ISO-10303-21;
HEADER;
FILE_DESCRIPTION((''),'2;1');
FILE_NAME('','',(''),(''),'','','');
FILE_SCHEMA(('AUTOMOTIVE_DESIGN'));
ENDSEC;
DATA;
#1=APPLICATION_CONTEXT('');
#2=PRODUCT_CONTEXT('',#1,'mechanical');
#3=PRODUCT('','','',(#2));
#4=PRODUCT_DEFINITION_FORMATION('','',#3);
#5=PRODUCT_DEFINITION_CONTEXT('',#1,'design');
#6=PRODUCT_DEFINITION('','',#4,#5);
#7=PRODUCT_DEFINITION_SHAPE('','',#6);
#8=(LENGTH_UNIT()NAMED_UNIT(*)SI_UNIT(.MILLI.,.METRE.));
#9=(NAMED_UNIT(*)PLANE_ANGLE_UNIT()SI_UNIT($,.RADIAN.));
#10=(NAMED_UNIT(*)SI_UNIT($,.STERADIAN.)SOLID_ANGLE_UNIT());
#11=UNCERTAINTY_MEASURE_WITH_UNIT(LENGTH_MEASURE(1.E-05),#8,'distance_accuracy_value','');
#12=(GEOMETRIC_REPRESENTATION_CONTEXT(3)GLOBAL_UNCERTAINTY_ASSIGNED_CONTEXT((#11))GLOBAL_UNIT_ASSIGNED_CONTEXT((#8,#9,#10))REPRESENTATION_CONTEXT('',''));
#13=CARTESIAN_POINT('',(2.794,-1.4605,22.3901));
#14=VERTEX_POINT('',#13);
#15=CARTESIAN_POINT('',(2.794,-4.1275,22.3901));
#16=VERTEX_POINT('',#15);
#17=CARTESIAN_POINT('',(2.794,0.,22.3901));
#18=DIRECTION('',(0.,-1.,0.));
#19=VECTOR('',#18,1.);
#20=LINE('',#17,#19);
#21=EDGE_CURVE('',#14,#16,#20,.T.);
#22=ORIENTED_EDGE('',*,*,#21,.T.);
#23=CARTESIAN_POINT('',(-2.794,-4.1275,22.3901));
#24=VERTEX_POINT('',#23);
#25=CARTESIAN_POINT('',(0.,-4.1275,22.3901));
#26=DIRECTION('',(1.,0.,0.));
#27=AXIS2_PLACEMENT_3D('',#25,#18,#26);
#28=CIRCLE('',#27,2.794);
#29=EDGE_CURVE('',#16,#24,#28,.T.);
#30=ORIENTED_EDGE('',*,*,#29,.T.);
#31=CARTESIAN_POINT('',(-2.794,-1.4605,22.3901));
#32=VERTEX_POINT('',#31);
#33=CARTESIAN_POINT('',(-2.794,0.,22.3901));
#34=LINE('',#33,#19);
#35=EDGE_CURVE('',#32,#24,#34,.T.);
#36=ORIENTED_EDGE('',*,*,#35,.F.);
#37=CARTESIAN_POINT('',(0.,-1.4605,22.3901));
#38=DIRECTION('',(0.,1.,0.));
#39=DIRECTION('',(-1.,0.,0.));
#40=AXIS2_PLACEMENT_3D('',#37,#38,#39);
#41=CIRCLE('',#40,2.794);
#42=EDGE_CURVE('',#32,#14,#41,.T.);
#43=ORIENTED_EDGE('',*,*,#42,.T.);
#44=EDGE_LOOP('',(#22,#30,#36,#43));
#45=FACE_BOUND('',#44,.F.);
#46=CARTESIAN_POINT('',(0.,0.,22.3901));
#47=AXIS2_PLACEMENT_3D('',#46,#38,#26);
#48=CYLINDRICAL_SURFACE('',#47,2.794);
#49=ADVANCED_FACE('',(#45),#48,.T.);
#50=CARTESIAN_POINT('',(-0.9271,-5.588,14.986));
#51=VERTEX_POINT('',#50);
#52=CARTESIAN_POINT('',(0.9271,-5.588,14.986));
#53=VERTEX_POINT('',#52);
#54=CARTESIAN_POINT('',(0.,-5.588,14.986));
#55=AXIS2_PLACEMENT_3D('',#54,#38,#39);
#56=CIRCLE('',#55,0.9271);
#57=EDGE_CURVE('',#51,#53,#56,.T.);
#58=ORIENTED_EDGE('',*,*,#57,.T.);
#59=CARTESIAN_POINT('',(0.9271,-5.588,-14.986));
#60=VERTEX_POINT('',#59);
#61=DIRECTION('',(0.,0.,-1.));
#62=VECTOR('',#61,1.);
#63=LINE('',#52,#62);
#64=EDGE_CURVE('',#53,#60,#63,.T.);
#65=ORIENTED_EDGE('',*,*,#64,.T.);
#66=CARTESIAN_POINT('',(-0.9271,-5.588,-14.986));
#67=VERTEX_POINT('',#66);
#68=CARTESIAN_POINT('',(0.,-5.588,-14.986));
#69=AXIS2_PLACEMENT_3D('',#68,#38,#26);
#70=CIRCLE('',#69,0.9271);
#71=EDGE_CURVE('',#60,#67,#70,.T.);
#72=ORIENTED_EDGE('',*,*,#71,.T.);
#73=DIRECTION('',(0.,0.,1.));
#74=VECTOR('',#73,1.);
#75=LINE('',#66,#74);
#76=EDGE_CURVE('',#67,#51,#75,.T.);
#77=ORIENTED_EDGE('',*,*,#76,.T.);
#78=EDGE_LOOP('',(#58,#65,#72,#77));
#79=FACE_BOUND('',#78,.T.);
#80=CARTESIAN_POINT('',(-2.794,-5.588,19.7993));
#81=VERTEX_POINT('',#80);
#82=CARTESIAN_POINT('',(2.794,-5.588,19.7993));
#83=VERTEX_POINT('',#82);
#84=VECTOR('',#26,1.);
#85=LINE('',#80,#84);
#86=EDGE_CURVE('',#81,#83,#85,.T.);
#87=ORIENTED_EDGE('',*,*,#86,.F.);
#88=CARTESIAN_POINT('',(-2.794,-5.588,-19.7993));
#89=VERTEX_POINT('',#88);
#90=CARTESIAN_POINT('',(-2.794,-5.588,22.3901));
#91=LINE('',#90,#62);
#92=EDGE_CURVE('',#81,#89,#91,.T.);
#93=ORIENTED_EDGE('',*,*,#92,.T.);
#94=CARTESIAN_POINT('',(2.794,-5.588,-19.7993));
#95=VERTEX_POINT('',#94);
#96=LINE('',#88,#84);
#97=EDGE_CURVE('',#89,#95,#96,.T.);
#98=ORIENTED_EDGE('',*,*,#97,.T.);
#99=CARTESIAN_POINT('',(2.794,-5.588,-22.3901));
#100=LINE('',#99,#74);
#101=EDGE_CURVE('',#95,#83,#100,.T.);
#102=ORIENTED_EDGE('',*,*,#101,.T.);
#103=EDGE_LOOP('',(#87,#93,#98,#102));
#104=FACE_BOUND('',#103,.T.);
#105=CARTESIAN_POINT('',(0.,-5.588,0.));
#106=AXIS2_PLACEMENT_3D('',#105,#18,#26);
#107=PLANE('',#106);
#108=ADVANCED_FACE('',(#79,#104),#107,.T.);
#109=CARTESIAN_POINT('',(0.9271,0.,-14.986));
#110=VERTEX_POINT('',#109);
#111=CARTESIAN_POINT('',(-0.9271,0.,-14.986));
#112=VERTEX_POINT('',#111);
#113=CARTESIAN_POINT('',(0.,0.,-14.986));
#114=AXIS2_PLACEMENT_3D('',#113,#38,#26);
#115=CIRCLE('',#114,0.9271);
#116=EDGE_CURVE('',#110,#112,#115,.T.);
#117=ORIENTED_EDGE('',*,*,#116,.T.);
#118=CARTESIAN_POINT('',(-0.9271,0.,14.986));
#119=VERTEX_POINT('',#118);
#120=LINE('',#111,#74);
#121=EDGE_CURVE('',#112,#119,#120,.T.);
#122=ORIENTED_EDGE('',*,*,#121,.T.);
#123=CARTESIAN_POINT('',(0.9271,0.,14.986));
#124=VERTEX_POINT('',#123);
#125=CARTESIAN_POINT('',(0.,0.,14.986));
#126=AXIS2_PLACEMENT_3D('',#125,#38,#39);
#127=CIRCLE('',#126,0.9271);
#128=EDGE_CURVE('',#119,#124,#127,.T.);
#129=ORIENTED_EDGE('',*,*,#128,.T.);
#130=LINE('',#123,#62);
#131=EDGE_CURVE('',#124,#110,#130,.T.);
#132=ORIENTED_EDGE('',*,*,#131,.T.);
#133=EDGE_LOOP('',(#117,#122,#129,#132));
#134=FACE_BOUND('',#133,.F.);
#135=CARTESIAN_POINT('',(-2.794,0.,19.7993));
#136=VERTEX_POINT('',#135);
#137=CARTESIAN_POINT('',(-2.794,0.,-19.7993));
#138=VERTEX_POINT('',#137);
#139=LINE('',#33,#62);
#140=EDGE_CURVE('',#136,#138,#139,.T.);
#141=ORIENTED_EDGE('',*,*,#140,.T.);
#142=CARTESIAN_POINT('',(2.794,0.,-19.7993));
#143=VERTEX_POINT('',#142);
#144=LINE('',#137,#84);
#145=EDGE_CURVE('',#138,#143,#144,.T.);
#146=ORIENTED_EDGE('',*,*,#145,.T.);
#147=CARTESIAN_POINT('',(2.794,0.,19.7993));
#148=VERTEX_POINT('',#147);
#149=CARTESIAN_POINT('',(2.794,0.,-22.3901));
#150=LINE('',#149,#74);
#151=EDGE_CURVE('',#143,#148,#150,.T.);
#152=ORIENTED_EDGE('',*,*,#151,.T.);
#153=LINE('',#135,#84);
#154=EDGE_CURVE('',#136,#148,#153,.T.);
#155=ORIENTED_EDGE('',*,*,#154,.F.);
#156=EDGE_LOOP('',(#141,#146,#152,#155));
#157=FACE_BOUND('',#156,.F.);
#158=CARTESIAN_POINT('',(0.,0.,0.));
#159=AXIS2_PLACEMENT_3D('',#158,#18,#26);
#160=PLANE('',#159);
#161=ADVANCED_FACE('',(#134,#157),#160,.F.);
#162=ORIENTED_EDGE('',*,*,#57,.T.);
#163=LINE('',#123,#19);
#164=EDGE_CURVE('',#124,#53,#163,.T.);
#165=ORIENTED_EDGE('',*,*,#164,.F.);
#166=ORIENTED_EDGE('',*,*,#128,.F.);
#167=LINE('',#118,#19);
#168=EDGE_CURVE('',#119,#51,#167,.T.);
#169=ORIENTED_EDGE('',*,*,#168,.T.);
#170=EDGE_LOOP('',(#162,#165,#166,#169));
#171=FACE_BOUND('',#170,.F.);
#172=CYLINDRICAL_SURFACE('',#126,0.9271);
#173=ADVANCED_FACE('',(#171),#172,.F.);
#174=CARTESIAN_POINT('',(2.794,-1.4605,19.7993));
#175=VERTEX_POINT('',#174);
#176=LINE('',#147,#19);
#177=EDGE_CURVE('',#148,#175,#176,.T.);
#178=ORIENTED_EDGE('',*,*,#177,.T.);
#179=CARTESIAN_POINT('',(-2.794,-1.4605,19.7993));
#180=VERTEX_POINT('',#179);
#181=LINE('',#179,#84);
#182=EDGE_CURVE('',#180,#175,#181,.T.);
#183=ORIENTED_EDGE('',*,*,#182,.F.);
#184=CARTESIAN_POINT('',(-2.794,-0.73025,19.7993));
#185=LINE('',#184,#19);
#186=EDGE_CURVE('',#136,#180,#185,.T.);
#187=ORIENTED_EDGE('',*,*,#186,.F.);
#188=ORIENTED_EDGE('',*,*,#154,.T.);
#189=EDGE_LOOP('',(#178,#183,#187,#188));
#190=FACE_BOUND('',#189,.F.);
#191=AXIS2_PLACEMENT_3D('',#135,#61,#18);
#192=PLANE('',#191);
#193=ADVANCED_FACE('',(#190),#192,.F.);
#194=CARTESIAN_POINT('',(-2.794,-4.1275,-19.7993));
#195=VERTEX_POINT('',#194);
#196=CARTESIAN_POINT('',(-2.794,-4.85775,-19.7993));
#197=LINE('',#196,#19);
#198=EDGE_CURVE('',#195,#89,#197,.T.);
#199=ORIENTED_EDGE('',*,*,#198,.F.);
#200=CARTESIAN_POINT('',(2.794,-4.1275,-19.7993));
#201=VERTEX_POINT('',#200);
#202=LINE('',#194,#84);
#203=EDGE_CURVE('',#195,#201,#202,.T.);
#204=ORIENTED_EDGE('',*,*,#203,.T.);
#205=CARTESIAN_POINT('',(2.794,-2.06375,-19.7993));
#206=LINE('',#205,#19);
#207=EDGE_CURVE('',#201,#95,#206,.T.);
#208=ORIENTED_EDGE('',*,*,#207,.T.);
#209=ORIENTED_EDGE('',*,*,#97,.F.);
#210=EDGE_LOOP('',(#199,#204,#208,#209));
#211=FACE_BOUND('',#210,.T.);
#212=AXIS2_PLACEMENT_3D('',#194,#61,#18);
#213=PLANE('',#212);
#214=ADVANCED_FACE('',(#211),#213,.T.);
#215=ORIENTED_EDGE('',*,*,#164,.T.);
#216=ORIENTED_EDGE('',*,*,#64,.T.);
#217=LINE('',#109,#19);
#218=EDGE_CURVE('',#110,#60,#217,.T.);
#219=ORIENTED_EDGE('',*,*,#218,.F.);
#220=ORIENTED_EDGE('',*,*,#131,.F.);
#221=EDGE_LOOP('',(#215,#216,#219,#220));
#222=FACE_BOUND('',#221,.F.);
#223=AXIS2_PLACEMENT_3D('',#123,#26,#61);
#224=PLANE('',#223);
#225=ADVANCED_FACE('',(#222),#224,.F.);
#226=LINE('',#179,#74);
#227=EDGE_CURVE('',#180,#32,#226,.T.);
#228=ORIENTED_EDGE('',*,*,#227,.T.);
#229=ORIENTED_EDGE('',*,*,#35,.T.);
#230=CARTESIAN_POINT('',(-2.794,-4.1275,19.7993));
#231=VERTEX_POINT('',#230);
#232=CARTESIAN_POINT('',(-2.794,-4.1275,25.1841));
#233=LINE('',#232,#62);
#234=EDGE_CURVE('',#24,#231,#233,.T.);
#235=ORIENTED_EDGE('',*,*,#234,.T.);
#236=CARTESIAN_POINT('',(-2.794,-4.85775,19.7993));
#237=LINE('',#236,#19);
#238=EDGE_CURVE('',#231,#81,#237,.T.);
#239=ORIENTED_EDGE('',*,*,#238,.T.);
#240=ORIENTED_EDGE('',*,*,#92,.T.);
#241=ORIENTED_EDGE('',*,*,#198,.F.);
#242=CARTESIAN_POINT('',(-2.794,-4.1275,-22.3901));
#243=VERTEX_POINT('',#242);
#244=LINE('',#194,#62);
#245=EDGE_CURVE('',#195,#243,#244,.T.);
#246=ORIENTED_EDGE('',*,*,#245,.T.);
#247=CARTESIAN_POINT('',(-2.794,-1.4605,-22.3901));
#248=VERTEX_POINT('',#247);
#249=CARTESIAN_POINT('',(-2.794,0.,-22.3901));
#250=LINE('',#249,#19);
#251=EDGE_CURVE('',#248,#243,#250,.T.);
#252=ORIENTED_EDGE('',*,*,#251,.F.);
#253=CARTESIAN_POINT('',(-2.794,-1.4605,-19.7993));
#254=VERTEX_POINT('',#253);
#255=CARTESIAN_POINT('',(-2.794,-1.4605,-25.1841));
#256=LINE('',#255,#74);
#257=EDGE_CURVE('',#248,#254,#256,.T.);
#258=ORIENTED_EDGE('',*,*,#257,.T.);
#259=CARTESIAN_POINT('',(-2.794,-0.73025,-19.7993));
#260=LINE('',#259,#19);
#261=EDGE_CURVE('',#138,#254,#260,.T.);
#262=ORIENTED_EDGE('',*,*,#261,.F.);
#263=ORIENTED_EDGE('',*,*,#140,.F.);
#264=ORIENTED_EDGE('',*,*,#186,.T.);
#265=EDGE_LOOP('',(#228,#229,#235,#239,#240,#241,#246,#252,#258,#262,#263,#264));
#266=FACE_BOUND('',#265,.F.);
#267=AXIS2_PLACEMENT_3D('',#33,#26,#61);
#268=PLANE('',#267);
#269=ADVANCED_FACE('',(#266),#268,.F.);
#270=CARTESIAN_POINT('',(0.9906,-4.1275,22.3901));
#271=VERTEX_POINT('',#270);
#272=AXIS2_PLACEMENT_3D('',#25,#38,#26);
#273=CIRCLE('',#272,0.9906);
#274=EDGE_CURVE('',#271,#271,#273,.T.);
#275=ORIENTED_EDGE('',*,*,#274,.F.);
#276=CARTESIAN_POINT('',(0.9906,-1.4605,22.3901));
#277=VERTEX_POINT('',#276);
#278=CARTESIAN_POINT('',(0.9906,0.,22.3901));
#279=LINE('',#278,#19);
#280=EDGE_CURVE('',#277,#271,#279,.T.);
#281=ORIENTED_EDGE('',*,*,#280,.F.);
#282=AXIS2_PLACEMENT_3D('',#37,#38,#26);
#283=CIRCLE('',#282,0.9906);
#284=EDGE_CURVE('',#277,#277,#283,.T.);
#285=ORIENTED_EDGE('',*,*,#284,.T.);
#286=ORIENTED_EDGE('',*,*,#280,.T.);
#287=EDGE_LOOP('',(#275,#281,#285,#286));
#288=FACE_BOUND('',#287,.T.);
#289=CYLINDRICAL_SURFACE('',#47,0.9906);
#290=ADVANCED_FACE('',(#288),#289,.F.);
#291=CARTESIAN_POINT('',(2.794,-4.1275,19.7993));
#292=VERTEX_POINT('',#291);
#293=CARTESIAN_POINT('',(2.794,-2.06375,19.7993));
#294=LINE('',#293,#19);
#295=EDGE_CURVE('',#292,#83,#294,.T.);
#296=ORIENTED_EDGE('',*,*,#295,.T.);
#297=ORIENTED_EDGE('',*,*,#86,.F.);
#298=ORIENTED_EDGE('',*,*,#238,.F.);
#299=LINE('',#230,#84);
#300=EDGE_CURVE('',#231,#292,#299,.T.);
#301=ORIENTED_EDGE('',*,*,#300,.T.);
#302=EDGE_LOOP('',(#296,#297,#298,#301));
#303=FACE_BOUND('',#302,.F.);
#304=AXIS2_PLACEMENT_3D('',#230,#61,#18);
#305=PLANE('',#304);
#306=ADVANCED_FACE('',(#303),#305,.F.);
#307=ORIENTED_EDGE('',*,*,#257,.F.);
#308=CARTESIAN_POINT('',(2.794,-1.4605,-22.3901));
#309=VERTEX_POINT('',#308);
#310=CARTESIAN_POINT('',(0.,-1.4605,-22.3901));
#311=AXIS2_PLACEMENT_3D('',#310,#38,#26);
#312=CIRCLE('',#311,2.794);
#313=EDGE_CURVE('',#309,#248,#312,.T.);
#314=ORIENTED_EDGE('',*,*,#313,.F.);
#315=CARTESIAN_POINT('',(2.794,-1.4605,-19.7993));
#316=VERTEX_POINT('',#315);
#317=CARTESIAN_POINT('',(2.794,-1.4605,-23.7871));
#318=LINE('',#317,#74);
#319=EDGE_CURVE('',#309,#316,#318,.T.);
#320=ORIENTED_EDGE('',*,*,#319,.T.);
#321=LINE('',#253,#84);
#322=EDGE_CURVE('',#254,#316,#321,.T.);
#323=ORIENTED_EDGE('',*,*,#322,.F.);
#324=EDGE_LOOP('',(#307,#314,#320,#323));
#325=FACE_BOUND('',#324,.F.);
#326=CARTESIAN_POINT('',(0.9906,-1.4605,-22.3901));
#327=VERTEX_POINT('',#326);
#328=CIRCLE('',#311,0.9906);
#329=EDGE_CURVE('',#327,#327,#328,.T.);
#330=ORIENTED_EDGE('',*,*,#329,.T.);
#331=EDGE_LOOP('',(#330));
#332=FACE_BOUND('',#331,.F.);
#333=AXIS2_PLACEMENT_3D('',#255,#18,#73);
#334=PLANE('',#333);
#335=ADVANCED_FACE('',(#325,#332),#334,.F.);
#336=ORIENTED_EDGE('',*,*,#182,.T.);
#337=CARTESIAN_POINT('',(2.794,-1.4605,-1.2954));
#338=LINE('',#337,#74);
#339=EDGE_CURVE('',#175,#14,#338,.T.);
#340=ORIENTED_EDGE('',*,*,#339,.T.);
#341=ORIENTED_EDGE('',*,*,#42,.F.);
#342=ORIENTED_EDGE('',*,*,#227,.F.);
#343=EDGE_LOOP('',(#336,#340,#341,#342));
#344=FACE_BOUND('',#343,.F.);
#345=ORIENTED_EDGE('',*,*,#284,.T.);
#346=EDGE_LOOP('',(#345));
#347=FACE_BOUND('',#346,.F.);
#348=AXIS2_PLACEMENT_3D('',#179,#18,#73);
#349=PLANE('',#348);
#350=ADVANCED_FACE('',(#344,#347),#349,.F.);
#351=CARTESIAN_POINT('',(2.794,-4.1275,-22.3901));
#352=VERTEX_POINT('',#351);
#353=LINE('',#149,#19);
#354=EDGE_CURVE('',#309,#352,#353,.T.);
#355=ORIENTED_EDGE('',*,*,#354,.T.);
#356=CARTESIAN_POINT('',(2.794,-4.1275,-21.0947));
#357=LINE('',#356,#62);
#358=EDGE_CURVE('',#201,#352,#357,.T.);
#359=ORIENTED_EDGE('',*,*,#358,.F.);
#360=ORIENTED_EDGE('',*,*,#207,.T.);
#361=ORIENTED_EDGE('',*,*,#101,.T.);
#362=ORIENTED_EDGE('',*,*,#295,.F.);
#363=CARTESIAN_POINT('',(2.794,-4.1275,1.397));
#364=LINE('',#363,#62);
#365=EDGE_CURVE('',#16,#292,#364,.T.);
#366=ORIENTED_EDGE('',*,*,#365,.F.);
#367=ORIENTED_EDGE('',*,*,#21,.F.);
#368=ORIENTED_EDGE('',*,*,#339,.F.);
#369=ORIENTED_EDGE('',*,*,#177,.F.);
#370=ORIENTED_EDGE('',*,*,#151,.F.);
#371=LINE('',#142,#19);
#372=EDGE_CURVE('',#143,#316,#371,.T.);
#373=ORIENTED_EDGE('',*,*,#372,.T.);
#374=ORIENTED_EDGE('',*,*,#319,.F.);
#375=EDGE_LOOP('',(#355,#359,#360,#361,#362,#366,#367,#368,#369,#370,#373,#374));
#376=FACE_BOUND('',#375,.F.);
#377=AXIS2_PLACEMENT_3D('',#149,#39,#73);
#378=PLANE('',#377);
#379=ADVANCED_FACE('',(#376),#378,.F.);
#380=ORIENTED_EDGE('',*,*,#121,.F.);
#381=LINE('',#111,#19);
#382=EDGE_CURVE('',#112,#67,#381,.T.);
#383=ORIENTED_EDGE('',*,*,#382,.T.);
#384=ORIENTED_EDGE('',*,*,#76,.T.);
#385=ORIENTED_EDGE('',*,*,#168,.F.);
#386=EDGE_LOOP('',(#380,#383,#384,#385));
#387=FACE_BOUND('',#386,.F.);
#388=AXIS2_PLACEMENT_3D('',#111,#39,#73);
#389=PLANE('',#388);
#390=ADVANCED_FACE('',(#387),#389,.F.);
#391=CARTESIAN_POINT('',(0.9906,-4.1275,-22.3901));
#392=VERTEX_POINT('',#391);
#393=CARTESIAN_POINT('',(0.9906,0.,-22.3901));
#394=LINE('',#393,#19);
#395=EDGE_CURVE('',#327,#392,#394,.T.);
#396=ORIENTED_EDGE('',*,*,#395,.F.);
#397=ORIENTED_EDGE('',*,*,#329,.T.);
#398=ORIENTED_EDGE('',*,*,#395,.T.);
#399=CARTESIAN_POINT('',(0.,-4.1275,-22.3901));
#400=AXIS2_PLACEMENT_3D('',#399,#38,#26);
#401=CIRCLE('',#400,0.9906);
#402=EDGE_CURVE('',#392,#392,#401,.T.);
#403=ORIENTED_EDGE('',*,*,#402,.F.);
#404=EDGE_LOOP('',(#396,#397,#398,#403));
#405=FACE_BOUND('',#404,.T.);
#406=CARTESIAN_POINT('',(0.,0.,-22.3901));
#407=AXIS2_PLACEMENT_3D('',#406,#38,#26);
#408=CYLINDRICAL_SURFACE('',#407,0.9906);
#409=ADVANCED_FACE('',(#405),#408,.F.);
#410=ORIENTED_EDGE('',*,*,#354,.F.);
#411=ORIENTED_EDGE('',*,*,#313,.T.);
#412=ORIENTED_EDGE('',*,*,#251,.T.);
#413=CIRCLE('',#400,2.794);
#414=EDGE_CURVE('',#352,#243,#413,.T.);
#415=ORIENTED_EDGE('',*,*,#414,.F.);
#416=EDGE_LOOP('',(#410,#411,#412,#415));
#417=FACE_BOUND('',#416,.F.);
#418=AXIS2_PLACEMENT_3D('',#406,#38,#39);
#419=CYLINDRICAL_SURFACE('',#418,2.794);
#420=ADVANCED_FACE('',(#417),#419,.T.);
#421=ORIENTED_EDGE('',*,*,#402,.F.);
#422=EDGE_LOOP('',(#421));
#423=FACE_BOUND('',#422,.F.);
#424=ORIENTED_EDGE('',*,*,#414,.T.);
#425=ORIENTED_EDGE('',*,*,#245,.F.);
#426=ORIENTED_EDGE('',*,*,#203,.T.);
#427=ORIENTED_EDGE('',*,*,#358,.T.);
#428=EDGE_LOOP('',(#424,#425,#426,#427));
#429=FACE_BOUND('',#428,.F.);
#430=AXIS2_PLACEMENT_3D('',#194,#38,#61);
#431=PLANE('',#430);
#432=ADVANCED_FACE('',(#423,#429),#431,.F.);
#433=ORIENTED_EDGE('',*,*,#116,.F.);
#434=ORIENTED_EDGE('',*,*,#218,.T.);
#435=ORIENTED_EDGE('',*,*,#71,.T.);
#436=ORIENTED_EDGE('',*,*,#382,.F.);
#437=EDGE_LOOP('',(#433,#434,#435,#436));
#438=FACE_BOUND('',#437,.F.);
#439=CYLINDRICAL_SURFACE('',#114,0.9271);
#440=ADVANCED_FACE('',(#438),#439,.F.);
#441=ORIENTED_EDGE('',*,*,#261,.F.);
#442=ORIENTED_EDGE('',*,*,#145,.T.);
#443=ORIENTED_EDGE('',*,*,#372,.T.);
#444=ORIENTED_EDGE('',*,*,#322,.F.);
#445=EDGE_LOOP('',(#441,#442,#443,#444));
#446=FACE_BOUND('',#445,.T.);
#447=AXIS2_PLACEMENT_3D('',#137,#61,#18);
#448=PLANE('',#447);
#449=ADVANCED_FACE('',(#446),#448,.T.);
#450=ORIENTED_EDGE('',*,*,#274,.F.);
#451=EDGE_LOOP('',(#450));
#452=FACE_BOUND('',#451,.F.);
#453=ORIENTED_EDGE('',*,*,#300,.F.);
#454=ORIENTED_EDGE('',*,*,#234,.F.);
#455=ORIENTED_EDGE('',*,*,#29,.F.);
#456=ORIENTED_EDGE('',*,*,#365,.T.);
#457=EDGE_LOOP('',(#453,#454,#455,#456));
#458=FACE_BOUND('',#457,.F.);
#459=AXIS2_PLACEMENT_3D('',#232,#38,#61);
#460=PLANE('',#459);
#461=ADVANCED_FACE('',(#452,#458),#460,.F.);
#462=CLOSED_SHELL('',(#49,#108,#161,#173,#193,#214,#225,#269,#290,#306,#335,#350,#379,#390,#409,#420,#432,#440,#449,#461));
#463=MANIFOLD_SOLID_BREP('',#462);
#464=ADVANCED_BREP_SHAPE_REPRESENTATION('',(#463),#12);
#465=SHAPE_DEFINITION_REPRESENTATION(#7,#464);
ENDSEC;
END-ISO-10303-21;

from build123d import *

# Parameters (mm, degrees)
F0_W     = 5.588
F0_H     = 33.6042
F0_R     = 0.9906
F1_DEPTH = 5.588
F2_W     = 1.4605
F2_H     = 2.5908
F2_H_2   = 2.794
F3_DEPTH = 5.589


with BuildPart() as f1:
    # F0 (on Front) → F1 (new body)
    with BuildSketch(Plane.XZ):
        Rectangle(F0_W, F0_H)
        with BuildLine():
            ThreePointArc((-0.9271, 14.986), (0, 15.9131), (0.9271, 14.986))
            Line((0.9271, 14.986), (0.9271, -14.986))
            ThreePointArc((0.9271, -14.986), (0, -15.9131), (-0.9271, -14.986))
            Line((-0.9271, -14.986), (-0.9271, 14.986))
        make_face(mode=Mode.SUBTRACT)
        with BuildLine():
            Line((-2.794, 16.8021), (2.794, 16.8021))
            Line((2.794, 16.8021), (2.794, 22.3901))
            ThreePointArc((2.794, 22.3901), (0, 25.1841), (-2.794, 22.3901))
            Line((-2.794, 22.3901), (-2.794, 16.8021))
        make_face()
        with Locations((0, 22.3901)):
            Circle(F0_R, mode=Mode.SUBTRACT)
        with BuildLine():
            Line((2.794, -22.3901), (2.794, -16.8021))
            Line((2.794, -16.8021), (-2.794, -16.8021))
            Line((-2.794, -16.8021), (-2.794, -22.3901))
            ThreePointArc((-2.794, -22.3901), (0, -25.1841), (2.794, -22.3901))
        make_face()
        with Locations((0, -22.3901)):
            Circle(F0_R, mode=Mode.SUBTRACT)
    extrude(amount=F1_DEPTH)

    # F2 (on face) → F3 (cut, through all)
    with BuildSketch(Plane(origin=(-2.794, 0, 0), x_dir=(0, -1, 0), z_dir=(-1, 0, 0))):
        with Locations((0.73025, 21.0947)):
            Rectangle(F2_W, F2_H)
        with Locations((0.73025, 23.7871)):
            Rectangle(F2_W, F2_H_2)
        with Locations((4.85775, 23.7871)):
            Rectangle(F2_W, F2_H_2)
        with Locations((4.85775, 21.0947)):
            Rectangle(F2_W, F2_H)
        with Locations((0.73025, -23.7871)):
            Rectangle(F2_W, F2_H_2)
        with Locations((0.73025, -21.0947)):
            Rectangle(F2_W, F2_H)
        with Locations((4.85775, -21.0947)):
            Rectangle(F2_W, F2_H)
        with Locations((4.85775, -23.7871)):
            Rectangle(F2_W, F2_H_2)
    extrude(amount=-F3_DEPTH, mode=Mode.SUBTRACT)


solid = f1.part
